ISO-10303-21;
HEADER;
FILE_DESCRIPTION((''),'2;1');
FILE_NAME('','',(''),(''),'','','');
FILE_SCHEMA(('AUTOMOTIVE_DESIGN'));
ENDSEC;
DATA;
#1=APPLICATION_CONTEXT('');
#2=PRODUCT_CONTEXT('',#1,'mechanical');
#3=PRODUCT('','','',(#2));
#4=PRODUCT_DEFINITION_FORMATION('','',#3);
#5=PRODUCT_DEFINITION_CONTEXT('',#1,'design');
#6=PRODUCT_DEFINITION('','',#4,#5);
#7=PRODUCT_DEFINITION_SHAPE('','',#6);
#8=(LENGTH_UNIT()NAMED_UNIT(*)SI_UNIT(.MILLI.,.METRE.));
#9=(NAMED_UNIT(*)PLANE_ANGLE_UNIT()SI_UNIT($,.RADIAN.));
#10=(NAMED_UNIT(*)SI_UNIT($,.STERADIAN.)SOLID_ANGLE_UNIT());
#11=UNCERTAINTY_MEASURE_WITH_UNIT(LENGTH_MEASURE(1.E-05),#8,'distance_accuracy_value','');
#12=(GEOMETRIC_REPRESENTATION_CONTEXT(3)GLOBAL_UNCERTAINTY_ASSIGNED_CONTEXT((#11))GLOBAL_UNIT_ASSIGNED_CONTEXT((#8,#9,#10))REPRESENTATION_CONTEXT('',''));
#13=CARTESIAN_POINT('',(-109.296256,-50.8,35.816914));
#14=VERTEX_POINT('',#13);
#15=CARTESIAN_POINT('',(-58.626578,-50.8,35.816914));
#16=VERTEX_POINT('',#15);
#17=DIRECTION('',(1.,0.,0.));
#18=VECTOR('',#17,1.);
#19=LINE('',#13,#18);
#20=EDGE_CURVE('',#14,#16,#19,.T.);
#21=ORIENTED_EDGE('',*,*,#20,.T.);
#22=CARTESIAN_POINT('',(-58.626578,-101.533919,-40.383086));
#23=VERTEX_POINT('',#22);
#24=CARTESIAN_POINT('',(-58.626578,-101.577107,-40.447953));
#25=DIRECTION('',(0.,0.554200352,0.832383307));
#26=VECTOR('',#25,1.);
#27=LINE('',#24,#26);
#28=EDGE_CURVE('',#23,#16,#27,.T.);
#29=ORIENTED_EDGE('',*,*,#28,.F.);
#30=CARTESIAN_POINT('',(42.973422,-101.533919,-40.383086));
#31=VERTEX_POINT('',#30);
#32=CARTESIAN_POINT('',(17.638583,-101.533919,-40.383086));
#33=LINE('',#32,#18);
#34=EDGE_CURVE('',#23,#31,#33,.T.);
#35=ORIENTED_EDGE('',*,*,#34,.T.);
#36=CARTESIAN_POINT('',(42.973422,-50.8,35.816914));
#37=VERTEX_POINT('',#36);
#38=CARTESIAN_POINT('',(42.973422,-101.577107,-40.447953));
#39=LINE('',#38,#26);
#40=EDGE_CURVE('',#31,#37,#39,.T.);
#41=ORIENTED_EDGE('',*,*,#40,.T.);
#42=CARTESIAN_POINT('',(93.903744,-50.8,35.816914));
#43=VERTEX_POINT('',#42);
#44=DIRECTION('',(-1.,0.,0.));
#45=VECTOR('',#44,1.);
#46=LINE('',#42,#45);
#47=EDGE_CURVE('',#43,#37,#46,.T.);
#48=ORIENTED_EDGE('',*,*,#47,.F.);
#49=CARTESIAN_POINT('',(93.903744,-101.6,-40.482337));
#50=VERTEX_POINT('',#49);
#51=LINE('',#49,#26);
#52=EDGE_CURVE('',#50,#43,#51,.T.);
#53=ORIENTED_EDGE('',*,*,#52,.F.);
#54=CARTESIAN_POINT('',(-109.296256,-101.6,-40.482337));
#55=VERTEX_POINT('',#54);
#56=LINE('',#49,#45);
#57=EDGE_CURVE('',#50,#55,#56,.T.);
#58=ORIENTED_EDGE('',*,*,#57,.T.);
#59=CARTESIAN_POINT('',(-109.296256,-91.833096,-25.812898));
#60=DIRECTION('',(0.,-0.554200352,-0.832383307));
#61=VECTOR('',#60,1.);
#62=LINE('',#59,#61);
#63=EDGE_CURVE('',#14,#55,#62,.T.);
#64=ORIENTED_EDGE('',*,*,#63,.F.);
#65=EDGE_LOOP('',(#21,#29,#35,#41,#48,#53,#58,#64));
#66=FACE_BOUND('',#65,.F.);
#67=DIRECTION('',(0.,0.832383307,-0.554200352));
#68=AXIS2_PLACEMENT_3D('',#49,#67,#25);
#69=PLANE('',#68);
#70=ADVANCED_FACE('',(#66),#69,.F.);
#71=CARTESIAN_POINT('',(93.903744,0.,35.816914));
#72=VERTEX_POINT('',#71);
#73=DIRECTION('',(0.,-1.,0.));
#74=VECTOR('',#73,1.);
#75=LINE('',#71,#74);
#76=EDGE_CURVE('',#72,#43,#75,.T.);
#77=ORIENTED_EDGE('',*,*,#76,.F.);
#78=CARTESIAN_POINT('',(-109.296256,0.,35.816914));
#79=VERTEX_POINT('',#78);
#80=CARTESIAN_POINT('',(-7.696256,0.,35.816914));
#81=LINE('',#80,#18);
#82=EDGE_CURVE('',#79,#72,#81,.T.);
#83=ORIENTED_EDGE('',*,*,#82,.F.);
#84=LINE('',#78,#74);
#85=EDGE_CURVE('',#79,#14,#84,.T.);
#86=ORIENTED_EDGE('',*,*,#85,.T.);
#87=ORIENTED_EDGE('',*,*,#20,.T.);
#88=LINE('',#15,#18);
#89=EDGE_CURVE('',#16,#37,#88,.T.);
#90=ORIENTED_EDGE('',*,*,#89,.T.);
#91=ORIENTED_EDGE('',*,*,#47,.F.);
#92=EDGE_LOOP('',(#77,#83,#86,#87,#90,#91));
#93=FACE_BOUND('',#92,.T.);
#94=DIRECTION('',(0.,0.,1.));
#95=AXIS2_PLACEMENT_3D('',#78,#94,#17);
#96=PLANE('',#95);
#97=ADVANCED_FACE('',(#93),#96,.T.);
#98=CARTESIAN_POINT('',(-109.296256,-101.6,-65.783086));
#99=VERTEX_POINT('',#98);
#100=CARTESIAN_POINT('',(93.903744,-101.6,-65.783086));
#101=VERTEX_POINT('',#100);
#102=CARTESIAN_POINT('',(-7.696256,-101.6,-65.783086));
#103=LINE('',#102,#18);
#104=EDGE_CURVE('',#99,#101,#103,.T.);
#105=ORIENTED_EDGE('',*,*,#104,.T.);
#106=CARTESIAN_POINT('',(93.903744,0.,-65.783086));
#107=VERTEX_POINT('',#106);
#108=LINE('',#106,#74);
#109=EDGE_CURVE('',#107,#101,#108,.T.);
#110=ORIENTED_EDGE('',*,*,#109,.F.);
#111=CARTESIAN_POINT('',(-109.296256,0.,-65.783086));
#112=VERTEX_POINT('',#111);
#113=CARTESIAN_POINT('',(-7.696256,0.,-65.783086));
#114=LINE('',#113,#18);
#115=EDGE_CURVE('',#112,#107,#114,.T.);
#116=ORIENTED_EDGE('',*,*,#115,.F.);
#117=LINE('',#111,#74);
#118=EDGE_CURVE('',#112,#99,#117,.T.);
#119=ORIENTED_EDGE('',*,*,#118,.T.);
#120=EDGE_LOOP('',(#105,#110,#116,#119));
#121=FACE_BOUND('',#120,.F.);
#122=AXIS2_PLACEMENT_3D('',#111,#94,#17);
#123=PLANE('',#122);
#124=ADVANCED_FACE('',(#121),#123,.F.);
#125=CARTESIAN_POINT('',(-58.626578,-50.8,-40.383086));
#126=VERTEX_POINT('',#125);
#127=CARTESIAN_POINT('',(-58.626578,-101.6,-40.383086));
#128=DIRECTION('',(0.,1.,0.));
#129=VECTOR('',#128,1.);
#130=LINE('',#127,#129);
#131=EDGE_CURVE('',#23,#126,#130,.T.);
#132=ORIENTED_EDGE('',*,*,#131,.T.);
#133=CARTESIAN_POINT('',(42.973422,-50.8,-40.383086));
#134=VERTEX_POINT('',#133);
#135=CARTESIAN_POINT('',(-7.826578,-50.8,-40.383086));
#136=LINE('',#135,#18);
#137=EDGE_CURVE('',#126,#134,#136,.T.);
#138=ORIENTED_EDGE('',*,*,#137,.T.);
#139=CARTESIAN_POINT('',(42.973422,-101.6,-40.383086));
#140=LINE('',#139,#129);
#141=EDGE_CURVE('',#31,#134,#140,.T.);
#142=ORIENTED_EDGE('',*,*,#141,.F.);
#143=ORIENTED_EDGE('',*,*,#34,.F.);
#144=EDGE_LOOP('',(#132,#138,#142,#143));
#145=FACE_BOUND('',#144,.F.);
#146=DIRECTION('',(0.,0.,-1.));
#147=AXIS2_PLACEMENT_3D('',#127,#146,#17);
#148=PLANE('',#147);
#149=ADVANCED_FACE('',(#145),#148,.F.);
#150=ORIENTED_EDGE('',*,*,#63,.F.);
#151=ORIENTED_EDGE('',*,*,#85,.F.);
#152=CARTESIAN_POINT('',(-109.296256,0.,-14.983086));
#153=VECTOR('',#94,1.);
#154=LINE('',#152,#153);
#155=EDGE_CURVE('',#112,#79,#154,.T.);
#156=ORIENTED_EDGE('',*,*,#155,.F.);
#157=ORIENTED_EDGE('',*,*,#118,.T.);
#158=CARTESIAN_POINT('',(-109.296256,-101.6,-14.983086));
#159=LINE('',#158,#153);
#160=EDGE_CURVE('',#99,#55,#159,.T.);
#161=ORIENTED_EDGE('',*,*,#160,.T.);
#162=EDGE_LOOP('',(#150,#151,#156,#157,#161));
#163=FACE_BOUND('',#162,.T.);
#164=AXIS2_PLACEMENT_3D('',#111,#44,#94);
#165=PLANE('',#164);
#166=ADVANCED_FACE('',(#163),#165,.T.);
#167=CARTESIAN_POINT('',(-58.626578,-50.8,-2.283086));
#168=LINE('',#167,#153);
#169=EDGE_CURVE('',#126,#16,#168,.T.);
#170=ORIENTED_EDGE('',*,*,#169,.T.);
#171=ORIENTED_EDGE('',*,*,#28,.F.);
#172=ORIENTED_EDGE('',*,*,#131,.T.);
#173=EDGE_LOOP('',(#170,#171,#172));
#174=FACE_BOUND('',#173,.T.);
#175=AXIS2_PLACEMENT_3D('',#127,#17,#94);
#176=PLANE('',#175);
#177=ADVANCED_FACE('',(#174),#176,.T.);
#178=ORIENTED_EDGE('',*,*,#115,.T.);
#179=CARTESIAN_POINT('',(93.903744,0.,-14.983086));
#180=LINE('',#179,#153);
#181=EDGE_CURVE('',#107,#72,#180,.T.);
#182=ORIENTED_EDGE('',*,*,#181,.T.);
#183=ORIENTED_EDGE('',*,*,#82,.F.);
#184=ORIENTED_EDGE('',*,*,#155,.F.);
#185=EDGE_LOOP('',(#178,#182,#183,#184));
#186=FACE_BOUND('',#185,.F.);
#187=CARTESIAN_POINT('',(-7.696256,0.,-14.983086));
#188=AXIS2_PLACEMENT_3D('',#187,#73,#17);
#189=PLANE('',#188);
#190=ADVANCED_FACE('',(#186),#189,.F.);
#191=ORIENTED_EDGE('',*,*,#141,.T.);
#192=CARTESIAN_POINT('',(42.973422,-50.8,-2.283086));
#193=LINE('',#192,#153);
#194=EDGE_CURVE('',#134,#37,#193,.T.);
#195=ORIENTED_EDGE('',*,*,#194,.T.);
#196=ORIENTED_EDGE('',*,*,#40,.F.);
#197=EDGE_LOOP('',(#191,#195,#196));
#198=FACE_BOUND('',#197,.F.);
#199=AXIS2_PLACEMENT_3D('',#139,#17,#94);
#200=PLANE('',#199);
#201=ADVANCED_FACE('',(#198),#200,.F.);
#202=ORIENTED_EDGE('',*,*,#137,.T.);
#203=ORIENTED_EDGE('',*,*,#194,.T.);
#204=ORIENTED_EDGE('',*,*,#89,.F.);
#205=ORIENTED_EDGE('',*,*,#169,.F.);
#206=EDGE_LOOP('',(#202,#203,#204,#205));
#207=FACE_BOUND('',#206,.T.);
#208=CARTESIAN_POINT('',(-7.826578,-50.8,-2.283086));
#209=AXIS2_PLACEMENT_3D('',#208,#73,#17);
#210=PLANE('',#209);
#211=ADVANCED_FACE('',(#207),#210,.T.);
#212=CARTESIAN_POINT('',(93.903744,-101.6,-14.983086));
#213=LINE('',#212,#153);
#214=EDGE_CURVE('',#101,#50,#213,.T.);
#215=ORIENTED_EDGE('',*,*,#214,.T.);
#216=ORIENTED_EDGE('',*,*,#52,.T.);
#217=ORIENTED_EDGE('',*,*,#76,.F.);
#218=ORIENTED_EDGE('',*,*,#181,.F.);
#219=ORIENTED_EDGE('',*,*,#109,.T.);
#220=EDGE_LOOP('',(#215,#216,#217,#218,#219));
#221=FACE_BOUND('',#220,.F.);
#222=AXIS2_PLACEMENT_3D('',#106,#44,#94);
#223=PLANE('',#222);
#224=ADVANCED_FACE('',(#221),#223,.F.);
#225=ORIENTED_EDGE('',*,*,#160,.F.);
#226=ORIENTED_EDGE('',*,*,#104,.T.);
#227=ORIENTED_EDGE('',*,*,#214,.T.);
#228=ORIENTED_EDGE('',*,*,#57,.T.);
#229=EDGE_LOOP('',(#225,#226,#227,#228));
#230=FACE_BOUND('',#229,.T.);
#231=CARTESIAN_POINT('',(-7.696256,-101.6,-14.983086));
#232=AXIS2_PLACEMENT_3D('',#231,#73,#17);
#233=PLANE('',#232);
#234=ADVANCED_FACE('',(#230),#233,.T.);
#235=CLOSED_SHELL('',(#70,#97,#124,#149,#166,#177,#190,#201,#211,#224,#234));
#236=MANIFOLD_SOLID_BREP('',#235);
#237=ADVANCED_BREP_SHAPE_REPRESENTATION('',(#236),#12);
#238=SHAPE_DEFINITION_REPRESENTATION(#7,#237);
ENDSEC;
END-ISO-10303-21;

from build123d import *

# Parameters (mm, degrees)
F0_W     = 203.2
F0_H     = 101.6
F1_DEPTH = 101.6
F2_W     = 101.6
F2_H     = 76.2
F3_DEPTH = 50.8
F5_DEPTH = 50.8
F7_DEPTH = 203.201


with BuildPart() as f1:
    # F0 (on Front) → F1 (new body)
    with BuildSketch(Plane.XZ):
        with Locations((-7.6962560415, -14.9830856085)):
            Rectangle(F0_W, F0_H)
    extrude(amount=F1_DEPTH)

    # F2 (on face) → F3 (cut)
    with BuildSketch(Plane.XZ.offset(101.6)):
        with Locations((-7.826578486, -2.2830856085)):
            Rectangle(F2_W, F2_H)
    extrude(amount=-F3_DEPTH, mode=Mode.SUBTRACT)

    # F4 (on face) → F5 (cut)
    with BuildSketch(Plane(origin=(-109.2962560415, 0, 0), x_dir=(0, -1, 0), z_dir=(-1, 0, 0))):
        Polygon((50.8, 35.8169143915), (101.6, -40.3830856085), (101.6, 35.8169143915), align=None)
    extrude(amount=-F5_DEPTH, mode=Mode.SUBTRACT)

    # F6 (on face) → F7 (cut, through all)
    with BuildSketch(Plane.YZ.offset(93.9037439585)):
        Polygon((-101.6, 35.8169143915), (-101.6, -40.4823369622), (-50.8, 35.8169143915), align=None)
    extrude(amount=-F7_DEPTH, mode=Mode.SUBTRACT)


solid = f1.part
